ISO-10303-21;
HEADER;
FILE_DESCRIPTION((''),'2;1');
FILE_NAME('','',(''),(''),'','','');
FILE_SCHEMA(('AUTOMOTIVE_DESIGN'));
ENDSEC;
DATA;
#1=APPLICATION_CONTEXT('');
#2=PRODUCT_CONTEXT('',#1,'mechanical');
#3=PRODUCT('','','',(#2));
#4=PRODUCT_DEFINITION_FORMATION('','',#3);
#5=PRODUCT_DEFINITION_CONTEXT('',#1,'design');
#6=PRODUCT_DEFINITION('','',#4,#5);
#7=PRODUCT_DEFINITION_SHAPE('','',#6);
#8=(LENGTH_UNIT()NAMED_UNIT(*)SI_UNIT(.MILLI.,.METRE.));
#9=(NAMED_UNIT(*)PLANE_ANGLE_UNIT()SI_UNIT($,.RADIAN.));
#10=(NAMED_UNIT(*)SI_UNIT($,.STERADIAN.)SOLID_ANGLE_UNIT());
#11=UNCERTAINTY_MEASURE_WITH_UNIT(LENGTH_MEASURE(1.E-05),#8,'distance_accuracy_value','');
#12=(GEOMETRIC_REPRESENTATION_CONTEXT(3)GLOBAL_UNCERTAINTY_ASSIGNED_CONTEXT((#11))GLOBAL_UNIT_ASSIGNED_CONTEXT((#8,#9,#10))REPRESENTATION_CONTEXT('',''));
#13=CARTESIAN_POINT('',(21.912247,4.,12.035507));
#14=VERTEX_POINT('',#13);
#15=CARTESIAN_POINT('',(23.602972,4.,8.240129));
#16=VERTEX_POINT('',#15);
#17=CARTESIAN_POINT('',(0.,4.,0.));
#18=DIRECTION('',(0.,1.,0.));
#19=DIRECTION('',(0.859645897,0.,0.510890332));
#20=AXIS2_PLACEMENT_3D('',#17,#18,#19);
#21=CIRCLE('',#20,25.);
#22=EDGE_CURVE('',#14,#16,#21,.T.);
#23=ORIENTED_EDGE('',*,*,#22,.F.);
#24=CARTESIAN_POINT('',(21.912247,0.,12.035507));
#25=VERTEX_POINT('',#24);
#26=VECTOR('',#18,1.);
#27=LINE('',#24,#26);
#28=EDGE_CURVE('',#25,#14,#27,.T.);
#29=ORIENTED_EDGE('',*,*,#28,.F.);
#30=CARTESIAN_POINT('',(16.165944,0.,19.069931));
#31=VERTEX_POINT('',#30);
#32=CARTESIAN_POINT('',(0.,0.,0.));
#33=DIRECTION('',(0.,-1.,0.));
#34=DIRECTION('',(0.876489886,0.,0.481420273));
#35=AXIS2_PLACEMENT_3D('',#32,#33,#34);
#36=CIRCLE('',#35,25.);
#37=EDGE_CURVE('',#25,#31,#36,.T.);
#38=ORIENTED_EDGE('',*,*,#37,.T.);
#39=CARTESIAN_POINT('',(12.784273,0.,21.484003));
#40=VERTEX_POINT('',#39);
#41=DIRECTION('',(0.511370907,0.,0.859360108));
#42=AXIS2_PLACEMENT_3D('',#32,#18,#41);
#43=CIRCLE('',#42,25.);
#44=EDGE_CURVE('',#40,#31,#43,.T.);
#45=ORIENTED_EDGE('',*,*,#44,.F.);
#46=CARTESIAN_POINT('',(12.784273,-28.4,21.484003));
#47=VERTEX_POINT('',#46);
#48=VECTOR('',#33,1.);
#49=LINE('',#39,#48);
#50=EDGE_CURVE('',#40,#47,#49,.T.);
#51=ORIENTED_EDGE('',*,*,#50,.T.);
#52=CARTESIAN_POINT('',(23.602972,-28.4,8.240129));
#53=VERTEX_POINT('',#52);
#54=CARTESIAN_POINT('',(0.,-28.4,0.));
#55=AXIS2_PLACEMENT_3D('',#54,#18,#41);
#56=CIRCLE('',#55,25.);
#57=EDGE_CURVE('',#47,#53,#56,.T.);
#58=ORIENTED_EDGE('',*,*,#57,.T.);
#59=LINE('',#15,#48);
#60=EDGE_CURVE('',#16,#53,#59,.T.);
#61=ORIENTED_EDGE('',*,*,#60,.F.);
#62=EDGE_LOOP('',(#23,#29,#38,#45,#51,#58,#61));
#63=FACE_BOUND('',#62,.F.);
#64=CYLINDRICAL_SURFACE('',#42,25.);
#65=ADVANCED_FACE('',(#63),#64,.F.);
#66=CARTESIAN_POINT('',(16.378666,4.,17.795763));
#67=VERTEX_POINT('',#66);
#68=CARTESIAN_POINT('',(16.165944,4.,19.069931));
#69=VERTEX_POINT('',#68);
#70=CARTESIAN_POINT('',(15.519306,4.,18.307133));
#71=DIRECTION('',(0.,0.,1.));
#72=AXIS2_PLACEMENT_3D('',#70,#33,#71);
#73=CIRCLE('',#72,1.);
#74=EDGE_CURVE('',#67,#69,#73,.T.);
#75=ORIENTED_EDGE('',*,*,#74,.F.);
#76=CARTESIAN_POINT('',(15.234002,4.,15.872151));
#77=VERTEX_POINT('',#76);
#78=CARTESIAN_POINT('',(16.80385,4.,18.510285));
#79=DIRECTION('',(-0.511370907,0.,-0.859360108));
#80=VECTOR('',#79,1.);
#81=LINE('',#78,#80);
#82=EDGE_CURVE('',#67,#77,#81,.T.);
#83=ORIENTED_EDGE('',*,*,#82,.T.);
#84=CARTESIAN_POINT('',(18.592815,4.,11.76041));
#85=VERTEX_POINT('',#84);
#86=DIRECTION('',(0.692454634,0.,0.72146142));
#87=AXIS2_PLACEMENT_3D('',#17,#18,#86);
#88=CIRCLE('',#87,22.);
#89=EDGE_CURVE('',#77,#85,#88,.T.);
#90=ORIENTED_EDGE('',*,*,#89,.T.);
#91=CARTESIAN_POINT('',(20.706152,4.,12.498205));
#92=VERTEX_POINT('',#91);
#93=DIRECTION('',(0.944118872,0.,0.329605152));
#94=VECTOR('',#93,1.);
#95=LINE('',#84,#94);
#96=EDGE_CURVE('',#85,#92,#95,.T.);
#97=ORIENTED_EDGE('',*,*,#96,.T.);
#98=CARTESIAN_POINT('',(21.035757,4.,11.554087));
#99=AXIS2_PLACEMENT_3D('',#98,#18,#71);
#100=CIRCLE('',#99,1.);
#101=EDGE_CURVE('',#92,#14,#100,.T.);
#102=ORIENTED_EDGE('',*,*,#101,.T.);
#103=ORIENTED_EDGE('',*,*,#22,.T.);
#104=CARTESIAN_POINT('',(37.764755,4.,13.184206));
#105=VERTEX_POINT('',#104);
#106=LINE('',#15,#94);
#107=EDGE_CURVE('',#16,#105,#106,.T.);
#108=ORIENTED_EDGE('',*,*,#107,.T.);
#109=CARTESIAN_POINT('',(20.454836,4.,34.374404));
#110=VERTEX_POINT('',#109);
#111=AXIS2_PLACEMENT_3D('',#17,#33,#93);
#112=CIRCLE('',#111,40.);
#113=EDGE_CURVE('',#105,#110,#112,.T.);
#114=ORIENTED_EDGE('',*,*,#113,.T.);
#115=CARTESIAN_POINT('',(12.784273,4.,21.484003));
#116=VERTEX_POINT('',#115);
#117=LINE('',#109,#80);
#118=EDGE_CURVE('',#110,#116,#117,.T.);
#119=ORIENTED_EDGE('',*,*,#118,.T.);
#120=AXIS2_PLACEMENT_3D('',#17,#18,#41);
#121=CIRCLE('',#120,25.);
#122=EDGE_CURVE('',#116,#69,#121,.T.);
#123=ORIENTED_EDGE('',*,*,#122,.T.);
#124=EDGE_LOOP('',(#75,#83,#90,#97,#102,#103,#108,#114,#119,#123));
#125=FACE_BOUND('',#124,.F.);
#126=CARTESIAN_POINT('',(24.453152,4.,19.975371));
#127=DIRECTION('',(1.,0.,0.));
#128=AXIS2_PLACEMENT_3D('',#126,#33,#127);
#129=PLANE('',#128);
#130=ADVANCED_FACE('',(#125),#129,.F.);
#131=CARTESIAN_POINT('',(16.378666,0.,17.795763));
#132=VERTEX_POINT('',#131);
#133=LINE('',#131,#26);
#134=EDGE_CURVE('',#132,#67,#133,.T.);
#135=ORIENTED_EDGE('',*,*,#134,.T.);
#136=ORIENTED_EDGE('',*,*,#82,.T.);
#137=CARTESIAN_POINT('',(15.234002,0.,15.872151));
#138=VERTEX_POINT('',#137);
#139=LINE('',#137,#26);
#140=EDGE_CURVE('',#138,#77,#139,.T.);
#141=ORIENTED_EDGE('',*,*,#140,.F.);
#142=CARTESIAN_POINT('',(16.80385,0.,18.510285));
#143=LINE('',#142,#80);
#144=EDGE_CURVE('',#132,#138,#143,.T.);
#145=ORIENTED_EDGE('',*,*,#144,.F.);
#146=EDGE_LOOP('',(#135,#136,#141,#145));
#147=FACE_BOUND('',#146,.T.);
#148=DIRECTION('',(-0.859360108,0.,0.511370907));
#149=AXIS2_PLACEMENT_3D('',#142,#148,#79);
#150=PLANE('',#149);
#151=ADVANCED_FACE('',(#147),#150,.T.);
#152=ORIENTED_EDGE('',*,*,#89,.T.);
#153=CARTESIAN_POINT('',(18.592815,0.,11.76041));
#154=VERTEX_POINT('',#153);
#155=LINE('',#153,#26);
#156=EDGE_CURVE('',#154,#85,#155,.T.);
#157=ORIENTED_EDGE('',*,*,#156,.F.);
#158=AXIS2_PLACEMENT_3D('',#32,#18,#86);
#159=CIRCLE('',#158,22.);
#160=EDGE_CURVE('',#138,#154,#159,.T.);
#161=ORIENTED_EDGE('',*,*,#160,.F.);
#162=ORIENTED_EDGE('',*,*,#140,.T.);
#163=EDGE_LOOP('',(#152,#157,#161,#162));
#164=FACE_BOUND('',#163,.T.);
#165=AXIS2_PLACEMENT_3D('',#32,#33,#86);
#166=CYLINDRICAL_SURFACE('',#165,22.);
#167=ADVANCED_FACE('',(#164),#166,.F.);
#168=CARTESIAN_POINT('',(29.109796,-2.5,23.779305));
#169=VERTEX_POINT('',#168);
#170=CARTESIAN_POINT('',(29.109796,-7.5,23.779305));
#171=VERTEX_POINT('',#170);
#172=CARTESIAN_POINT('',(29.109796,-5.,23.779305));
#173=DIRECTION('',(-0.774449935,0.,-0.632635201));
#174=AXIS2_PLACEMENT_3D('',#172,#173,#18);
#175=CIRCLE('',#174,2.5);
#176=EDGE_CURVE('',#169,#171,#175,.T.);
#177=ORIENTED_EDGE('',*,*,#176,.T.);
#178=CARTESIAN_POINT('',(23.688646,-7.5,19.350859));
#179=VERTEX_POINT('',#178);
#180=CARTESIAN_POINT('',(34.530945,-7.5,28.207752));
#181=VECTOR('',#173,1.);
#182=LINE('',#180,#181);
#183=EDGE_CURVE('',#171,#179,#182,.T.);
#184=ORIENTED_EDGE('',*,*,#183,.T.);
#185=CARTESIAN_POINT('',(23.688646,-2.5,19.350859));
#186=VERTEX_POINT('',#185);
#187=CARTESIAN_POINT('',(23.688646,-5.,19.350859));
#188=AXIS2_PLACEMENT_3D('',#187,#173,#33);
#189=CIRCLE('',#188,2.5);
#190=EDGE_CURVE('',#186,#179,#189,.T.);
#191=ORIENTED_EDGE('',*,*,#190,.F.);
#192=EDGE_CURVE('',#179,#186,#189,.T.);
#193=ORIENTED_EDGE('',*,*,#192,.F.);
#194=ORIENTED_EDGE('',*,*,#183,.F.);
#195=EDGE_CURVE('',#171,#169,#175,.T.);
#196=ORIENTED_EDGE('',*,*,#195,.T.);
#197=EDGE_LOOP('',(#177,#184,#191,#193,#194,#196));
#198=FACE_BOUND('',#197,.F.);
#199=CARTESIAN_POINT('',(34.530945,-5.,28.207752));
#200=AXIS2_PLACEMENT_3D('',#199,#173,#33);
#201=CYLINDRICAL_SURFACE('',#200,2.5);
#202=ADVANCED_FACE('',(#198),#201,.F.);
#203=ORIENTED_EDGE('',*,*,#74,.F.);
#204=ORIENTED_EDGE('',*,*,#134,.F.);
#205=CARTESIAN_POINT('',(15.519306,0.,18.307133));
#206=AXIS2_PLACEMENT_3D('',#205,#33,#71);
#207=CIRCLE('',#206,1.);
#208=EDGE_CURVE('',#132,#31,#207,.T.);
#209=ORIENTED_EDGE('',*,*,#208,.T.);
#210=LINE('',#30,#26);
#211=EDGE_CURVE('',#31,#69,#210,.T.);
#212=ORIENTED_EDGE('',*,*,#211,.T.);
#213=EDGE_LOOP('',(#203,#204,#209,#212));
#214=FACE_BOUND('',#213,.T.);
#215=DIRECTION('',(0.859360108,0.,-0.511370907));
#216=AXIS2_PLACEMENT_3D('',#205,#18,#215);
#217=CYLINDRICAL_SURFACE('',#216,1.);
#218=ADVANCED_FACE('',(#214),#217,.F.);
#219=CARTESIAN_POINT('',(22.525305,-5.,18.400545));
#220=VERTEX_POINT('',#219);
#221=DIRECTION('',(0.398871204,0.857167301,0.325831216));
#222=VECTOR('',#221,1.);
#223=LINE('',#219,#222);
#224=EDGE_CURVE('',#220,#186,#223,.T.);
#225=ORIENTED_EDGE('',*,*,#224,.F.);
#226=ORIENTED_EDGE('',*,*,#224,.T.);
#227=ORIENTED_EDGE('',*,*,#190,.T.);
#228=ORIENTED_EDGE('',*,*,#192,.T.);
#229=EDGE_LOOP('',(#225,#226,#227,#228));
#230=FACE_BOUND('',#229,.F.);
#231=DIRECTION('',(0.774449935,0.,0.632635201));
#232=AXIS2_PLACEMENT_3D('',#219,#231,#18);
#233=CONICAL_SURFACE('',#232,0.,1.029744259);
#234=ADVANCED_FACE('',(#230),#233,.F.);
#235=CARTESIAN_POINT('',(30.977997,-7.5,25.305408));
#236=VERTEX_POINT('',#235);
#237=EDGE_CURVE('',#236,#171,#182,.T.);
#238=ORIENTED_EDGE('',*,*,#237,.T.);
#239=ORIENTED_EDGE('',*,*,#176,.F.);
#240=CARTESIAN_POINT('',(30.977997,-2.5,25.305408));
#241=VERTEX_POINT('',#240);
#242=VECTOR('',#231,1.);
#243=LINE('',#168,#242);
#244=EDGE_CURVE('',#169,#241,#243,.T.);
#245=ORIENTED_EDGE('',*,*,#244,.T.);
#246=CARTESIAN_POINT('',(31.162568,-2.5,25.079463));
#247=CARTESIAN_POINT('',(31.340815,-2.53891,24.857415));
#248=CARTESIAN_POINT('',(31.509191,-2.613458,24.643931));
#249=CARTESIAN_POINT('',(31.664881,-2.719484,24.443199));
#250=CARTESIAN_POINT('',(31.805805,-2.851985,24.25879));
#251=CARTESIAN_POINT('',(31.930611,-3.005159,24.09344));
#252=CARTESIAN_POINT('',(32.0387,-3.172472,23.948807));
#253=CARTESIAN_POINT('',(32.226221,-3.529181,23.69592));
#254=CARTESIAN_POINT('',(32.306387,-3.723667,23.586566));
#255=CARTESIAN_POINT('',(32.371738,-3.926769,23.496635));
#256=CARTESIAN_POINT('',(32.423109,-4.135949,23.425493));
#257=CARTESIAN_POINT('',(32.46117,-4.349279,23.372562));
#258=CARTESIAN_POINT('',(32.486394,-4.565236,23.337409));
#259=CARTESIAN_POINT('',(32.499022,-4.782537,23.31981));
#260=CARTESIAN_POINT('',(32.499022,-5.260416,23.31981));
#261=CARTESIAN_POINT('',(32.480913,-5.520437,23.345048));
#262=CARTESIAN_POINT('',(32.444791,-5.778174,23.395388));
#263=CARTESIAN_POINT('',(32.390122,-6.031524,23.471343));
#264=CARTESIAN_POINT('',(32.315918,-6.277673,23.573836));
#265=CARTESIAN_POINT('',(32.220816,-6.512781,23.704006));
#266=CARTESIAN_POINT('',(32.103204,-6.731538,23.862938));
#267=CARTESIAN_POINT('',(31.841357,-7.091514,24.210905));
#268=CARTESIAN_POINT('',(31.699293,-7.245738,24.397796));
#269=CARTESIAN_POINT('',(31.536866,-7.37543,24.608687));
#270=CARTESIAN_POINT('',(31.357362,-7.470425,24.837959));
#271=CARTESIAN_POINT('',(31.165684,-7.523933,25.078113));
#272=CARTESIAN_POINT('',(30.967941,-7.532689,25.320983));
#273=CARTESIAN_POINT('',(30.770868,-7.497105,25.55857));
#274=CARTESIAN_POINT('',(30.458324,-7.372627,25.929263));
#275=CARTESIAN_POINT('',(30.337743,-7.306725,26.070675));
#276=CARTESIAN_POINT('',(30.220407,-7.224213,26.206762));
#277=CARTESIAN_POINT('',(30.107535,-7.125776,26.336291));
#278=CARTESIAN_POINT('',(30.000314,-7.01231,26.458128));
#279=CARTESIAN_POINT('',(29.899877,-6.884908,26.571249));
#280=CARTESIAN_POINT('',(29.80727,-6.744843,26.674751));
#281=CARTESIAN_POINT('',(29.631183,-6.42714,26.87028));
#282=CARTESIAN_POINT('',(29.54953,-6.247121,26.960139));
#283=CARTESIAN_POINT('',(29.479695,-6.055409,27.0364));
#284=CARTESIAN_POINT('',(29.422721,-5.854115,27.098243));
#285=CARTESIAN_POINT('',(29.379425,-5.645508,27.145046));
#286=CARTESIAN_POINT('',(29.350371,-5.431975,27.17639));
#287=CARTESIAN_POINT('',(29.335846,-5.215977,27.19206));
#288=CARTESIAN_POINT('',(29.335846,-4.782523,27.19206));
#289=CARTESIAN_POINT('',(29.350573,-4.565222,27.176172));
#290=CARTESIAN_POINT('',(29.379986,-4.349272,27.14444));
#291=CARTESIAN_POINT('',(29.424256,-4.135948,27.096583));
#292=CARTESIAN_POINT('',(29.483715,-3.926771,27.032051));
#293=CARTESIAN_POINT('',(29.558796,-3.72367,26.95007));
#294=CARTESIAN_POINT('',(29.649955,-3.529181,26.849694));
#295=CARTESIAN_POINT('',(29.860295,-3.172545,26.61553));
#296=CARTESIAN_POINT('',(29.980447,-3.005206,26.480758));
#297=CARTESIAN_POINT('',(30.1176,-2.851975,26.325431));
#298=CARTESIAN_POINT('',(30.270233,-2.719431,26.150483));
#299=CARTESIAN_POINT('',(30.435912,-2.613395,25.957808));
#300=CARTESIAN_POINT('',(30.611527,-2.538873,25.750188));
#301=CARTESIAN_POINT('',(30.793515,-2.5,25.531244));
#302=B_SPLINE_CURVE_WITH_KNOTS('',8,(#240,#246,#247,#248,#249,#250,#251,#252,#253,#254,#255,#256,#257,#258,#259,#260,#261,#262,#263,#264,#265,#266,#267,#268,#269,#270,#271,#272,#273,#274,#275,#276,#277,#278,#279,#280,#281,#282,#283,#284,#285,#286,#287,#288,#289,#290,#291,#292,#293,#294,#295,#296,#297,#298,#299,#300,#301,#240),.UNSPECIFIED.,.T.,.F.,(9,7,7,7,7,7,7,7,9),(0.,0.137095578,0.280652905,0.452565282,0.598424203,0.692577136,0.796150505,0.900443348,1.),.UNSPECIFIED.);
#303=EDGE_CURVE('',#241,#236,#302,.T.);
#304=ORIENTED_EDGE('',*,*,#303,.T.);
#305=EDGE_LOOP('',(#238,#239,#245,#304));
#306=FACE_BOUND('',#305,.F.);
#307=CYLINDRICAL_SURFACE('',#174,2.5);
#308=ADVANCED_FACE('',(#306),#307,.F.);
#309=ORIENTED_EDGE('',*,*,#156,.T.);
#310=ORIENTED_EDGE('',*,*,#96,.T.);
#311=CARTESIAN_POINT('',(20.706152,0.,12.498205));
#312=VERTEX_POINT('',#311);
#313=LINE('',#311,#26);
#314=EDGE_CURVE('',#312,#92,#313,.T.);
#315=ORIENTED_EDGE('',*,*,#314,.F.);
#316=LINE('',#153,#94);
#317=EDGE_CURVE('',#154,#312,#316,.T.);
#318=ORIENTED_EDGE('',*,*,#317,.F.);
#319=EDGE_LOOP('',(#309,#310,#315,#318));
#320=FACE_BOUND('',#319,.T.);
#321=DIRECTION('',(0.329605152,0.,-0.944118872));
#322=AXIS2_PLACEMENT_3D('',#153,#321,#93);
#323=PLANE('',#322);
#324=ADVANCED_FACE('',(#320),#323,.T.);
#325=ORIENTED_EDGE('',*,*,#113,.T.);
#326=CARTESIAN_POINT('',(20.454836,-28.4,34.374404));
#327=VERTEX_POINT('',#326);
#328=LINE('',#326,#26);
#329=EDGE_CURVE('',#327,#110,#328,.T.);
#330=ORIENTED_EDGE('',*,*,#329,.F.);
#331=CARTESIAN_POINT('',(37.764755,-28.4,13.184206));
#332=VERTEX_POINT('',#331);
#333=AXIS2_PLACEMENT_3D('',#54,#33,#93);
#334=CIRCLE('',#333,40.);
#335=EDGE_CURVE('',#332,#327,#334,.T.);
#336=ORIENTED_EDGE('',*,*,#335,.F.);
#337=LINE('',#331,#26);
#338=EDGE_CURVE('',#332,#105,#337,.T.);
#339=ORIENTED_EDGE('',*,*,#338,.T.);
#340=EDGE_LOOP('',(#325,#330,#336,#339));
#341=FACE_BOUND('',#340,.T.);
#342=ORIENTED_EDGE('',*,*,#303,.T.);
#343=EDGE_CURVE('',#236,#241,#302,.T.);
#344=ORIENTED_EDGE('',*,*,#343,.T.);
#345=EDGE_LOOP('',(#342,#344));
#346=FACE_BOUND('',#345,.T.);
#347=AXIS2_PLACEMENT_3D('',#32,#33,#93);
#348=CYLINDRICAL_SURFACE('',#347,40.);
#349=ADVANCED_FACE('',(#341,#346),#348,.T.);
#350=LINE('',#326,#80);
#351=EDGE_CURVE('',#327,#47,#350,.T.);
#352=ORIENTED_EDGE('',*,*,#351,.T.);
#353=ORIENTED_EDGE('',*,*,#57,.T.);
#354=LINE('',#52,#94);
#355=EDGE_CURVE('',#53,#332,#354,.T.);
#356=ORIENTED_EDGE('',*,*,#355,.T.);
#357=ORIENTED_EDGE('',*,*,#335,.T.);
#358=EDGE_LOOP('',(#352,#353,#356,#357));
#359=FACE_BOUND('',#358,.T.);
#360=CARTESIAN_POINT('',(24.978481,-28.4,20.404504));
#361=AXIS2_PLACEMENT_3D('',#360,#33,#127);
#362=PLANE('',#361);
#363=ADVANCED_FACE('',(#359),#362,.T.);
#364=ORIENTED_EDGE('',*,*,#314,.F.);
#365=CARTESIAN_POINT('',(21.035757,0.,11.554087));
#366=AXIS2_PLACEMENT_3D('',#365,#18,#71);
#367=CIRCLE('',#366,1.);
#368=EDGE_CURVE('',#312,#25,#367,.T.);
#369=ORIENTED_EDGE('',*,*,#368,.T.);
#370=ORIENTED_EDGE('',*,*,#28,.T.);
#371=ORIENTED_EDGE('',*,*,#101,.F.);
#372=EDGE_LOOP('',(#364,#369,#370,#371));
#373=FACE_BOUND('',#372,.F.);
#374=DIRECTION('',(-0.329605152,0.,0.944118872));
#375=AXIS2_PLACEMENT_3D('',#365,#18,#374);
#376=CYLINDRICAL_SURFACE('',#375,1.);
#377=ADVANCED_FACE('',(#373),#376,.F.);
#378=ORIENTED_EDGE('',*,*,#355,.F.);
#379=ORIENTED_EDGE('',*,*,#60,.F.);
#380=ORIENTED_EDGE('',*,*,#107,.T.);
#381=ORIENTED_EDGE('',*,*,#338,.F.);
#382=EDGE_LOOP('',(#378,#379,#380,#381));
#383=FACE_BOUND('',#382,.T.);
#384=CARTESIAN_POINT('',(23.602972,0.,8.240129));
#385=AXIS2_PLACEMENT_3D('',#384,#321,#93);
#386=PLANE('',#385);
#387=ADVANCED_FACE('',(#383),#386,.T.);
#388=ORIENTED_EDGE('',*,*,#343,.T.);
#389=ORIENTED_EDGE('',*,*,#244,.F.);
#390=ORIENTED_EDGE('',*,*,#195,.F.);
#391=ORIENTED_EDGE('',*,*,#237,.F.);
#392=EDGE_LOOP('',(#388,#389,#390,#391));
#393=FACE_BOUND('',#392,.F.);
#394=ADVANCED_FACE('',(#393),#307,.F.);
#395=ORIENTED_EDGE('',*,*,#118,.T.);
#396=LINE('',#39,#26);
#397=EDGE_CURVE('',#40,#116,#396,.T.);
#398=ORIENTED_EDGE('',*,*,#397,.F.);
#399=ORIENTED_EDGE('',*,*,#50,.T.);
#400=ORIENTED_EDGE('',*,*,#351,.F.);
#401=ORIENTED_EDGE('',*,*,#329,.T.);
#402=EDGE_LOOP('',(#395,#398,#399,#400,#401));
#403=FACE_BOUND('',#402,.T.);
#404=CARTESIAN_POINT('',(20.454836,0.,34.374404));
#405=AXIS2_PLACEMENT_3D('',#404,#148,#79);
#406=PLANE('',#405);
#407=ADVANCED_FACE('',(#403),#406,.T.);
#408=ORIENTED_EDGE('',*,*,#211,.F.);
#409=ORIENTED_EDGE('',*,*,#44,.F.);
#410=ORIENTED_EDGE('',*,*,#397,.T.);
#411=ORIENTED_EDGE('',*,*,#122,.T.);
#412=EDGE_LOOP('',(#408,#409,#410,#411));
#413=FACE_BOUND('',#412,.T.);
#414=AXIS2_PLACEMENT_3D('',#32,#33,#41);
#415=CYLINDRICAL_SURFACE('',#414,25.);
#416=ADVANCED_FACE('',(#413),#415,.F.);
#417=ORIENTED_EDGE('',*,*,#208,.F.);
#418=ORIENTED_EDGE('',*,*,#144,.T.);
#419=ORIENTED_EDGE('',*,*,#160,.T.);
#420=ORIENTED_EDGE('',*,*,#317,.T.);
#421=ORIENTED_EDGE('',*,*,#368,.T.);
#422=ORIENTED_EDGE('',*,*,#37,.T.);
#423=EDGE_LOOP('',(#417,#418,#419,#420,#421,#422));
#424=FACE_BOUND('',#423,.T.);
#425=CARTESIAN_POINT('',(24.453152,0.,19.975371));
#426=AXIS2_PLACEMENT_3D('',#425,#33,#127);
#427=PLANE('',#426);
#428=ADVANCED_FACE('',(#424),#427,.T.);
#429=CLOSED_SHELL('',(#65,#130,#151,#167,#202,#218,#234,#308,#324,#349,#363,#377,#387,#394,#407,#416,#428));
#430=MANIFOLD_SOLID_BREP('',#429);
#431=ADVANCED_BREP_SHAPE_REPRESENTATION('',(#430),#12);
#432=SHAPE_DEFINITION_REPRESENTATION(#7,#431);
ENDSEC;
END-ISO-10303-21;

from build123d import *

# Parameters (mm, degrees)
F2_DEPTH = 28.4
F3_DEPTH = 4
F6_D     = 5
F6_DEPTH = 5
F6_TIP   = 1.5021515476
F7_D     = 5
F7_DEPTH = 7
F7_TIP   = 1.5021515476
F8_R     = 1


with BuildPart() as f2:
    # F0 (on Front) → F2 (new body)
    with BuildSketch(Plane.XZ):
        with BuildLine():
            Line((23.6029717884, 8.2401288069), (37.7647548615, 13.1842060911))
            ThreePointArc((37.7647548615, 13.1842060911), (30.9779974122, 25.3054080451), (20.4548362885, 34.3744043208))
            Line((20.4548362885, 34.3744043208), (12.7842726803, 21.4840027005))
            ThreePointArc((12.7842726803, 21.4840027005), (19.3612483826, 15.8158800282), (23.6029717884, 8.2401288069))
        make_face()
    extrude(amount=F2_DEPTH)

    # F1 (on Front) + F0 (on Front) → F3 (join)
    with BuildSketch(Plane.XZ):
        with BuildLine():
            ThreePointArc((15.2340019476, 15.8721512297), (17.0378985767, 13.9179744248), (18.5928148308, 11.7604097152))
            Line((18.5928148308, 11.7604097152), (21.4911474241, 12.7722583124))
            ThreePointArc((21.4911474241, 12.7722583124), (22.6606475272, 10.5591218219), (23.6029717884, 8.2401288069))
            Line((23.6029717884, 8.2401288069), (37.7647548615, 13.1842060911))
            ThreePointArc((37.7647548615, 13.1842060911), (30.9779974122, 25.3054080451), (20.4548362885, 34.3744043208))
            Line((20.4548362885, 34.3744043208), (12.7842726803, 21.4840027005))
            ThreePointArc((12.7842726803, 21.4840027005), (14.8685909795, 20.0978855177), (16.8038497839, 18.5102845046))
            Line((16.8038497839, 18.5102845046), (15.2340019476, 15.8721512297))
        make_face()
    with BuildSketch(Plane.XZ):
        with BuildLine():
            Line((23.6029717884, 8.2401288069), (37.7647548615, 13.1842060911))
            ThreePointArc((37.7647548615, 13.1842060911), (30.9779974122, 25.3054080451), (20.4548362885, 34.3744043208))
            Line((20.4548362885, 34.3744043208), (12.7842726803, 21.4840027005))
            ThreePointArc((12.7842726803, 21.4840027005), (19.3612483826, 15.8158800282), (23.6029717884, 8.2401288069))
        make_face()
    extrude(amount=-F3_DEPTH)

    # F6 (one way)
    with BuildSketch(Plane(origin=(29.109795575, 0, 23.7793052059), x_dir=(0, 1, 0), z_dir=(-0.7744499353, 0, -0.6326352011))):
        with Locations((-5, 0)):
            Circle(F6_D / 2)
    extrude(amount=-F6_DEPTH, mode=Mode.SUBTRACT)
    with Locations(Plane(origin=(29.109795575, 0, 23.7793052059), x_dir=(0, 1, 0), z_dir=(-0.7744499353, 0, -0.6326352011))):
        with Locations((-5, 0)):
            with Locations((0, 0, -(F6_DEPTH + F6_TIP / 2))):  # 118° drill point
                Cone(0, F6_D / 2, F6_TIP, mode=Mode.SUBTRACT)

    # F7
    with Locations(Plane(origin=(29.109795575, 0, 23.7793052059), x_dir=(0, 1, 0), z_dir=(0.7744499353, 0, 0.6326352011))):
        with Locations((-5, 0)):
            Hole(F7_D / 2, depth=F7_DEPTH)
            with Locations((0, 0, -(F7_DEPTH + F7_TIP / 2))):  # 118° drill point
                Cone(0, F7_D / 2, F7_TIP, mode=Mode.SUBTRACT)

    # F8
    f8_edges = [f2.edges().sort_by_distance(p)[0] for p in [
        (21.491147, 2, 12.772258),
        (16.80385, 2, 18.510285),
    ]]
    fillet(f8_edges, radius=F8_R)


solid = f2.part
